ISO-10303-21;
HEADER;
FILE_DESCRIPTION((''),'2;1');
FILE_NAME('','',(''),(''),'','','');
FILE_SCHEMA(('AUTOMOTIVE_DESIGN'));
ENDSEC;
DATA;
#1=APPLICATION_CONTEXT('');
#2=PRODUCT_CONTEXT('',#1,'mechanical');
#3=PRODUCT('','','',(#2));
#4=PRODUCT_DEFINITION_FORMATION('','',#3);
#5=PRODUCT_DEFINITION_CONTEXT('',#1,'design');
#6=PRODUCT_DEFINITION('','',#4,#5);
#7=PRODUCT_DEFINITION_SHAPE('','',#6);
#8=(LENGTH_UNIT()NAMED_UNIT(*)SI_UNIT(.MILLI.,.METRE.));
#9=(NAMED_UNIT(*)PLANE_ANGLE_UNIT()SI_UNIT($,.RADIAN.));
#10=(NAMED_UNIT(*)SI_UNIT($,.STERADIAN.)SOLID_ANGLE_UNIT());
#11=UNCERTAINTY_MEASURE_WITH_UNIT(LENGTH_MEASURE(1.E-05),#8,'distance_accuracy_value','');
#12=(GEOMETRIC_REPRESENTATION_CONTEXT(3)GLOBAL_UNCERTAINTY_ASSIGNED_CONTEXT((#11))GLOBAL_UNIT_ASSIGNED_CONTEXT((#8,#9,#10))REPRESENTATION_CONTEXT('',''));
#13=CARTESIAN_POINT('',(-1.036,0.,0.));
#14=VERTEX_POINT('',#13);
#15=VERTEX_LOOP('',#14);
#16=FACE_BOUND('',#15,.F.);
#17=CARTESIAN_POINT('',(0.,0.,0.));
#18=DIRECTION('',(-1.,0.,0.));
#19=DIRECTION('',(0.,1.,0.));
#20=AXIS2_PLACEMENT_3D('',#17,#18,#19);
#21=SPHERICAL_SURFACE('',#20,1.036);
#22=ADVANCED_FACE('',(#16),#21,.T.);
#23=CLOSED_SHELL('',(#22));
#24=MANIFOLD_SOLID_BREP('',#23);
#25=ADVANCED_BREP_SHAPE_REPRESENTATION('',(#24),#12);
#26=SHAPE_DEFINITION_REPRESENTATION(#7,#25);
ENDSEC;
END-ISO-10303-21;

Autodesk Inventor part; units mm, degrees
sketch "Sketch_1" plane through (0, 0, 0) normal (0, 0, 1) x (1, 0, 0)
  line L0 (1.036, 0) -> (-1.036, 0)
  arc A0 (1.036, 0) -> (-1.036, 0) centre (0, 0) ccw
  line L1 (1.036, 0) -> (-1.036, 0)
revolve "Revolution1" add sketch "Sketch_1" angle 360 about axis through (1.036, 0, 0) along (1, 0, 0)
ref_plane "mss_ball_XY" through (0, 0, 0) normal (1, 0, 0) x (0, 0, -1)
ref_plane "mss_ball_YZ" through (0, 0, 0) normal (0, 0, -1) x (0, 1, 0)
ref_plane "mss_ball_ZX" through (0, 0, 0) normal (0, 1, 0) x (1, 0, 0)
properties part number "W686ZZ Ball"
